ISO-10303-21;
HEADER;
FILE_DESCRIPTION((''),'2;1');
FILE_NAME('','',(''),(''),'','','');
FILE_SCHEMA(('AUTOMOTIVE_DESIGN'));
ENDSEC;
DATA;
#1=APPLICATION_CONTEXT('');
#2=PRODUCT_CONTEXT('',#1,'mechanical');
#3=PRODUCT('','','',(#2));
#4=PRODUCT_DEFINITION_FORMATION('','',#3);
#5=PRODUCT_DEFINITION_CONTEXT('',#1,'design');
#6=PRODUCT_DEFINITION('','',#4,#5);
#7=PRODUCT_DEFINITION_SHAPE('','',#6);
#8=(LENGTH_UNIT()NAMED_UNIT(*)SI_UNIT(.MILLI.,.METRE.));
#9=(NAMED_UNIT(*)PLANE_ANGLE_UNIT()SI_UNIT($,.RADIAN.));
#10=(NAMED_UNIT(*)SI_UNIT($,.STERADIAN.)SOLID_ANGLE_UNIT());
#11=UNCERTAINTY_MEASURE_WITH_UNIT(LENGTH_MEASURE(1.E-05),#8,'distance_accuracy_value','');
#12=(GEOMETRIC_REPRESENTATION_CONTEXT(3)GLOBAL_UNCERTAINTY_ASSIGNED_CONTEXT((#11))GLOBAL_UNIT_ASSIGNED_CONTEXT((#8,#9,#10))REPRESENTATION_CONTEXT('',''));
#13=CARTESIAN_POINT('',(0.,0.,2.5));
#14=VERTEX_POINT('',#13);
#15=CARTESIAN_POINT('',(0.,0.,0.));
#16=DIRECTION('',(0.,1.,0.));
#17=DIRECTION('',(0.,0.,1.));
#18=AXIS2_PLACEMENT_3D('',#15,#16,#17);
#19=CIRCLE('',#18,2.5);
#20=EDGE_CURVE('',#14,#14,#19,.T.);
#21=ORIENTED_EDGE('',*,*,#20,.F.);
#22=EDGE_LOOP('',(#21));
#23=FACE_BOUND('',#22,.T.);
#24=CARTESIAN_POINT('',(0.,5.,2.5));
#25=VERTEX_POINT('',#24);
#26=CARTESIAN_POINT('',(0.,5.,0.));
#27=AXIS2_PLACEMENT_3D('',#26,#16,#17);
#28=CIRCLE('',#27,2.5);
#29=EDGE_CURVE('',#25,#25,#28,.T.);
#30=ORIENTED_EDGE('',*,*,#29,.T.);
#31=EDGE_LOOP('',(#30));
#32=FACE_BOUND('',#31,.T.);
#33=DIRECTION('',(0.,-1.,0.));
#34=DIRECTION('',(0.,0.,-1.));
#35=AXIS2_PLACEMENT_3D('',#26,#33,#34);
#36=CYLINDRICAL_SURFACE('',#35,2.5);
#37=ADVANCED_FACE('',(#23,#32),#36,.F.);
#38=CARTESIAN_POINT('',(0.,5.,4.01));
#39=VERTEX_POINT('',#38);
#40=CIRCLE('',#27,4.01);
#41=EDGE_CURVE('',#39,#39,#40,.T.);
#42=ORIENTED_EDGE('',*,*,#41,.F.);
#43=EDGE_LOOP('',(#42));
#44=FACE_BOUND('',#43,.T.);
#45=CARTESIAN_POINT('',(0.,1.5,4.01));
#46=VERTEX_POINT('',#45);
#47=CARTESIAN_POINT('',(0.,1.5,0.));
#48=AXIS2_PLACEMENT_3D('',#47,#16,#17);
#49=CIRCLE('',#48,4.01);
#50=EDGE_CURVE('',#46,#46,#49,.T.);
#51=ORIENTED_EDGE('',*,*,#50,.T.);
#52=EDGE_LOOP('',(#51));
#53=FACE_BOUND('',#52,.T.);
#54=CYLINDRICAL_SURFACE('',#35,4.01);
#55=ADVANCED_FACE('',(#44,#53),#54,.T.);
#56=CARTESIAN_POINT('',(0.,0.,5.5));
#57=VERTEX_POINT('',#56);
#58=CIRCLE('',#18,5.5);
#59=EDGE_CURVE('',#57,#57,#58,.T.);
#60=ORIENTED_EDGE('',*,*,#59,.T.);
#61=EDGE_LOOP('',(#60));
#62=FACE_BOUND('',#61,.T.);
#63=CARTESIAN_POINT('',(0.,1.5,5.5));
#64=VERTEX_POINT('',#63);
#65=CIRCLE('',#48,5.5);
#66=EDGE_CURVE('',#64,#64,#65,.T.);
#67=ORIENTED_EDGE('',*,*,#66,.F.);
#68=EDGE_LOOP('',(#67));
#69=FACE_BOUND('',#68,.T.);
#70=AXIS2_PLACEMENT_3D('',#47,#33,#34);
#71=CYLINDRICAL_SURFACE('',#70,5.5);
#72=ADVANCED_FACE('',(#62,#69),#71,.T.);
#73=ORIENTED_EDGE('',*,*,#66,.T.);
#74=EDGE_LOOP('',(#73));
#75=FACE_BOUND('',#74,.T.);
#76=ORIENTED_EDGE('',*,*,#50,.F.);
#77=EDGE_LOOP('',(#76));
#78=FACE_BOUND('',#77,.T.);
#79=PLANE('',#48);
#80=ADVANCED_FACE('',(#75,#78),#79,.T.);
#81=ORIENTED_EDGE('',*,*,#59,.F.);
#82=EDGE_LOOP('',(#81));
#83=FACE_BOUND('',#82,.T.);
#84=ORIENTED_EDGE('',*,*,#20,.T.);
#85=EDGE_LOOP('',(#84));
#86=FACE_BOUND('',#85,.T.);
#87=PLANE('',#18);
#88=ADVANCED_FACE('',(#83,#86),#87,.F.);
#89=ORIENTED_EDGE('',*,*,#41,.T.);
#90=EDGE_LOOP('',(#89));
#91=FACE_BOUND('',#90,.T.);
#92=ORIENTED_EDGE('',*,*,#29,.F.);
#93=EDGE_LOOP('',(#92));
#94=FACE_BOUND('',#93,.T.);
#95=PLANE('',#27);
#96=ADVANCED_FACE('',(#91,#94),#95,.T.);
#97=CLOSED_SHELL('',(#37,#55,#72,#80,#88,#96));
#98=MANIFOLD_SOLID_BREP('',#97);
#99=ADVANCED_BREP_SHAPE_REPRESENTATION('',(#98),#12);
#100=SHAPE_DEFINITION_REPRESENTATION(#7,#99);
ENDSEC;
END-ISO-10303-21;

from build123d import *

# Parameters (mm, degrees)
SKETCH2_R           = 4.01
SKETCH2_R_2         = 2.5
BOSS_EXTRUDE1_DEPTH = 5
SKETCH3_R           = 5.5
SKETCH3_R_2         = 4.01
BOSS_EXTRUDE2_DEPTH = 1.5


with BuildPart() as part:
    # Sketch2 → Boss-Extrude1 (new body)
    with BuildSketch(Plane(origin=(0, 0, 0), x_dir=(1, 0, 0), z_dir=(0, 1, 0))):
        Circle(SKETCH2_R)
        Circle(SKETCH2_R_2, mode=Mode.SUBTRACT)
    extrude(amount=BOSS_EXTRUDE1_DEPTH)

    # Sketch3 → Boss-Extrude2 (add)
    with BuildSketch(Plane(origin=(0, 0, 0), x_dir=(1, 0, 0), z_dir=(0, 1, 0))):
        Circle(SKETCH3_R)
        Circle(SKETCH3_R_2, mode=Mode.SUBTRACT)
    extrude(amount=BOSS_EXTRUDE2_DEPTH)


solid = part.part
